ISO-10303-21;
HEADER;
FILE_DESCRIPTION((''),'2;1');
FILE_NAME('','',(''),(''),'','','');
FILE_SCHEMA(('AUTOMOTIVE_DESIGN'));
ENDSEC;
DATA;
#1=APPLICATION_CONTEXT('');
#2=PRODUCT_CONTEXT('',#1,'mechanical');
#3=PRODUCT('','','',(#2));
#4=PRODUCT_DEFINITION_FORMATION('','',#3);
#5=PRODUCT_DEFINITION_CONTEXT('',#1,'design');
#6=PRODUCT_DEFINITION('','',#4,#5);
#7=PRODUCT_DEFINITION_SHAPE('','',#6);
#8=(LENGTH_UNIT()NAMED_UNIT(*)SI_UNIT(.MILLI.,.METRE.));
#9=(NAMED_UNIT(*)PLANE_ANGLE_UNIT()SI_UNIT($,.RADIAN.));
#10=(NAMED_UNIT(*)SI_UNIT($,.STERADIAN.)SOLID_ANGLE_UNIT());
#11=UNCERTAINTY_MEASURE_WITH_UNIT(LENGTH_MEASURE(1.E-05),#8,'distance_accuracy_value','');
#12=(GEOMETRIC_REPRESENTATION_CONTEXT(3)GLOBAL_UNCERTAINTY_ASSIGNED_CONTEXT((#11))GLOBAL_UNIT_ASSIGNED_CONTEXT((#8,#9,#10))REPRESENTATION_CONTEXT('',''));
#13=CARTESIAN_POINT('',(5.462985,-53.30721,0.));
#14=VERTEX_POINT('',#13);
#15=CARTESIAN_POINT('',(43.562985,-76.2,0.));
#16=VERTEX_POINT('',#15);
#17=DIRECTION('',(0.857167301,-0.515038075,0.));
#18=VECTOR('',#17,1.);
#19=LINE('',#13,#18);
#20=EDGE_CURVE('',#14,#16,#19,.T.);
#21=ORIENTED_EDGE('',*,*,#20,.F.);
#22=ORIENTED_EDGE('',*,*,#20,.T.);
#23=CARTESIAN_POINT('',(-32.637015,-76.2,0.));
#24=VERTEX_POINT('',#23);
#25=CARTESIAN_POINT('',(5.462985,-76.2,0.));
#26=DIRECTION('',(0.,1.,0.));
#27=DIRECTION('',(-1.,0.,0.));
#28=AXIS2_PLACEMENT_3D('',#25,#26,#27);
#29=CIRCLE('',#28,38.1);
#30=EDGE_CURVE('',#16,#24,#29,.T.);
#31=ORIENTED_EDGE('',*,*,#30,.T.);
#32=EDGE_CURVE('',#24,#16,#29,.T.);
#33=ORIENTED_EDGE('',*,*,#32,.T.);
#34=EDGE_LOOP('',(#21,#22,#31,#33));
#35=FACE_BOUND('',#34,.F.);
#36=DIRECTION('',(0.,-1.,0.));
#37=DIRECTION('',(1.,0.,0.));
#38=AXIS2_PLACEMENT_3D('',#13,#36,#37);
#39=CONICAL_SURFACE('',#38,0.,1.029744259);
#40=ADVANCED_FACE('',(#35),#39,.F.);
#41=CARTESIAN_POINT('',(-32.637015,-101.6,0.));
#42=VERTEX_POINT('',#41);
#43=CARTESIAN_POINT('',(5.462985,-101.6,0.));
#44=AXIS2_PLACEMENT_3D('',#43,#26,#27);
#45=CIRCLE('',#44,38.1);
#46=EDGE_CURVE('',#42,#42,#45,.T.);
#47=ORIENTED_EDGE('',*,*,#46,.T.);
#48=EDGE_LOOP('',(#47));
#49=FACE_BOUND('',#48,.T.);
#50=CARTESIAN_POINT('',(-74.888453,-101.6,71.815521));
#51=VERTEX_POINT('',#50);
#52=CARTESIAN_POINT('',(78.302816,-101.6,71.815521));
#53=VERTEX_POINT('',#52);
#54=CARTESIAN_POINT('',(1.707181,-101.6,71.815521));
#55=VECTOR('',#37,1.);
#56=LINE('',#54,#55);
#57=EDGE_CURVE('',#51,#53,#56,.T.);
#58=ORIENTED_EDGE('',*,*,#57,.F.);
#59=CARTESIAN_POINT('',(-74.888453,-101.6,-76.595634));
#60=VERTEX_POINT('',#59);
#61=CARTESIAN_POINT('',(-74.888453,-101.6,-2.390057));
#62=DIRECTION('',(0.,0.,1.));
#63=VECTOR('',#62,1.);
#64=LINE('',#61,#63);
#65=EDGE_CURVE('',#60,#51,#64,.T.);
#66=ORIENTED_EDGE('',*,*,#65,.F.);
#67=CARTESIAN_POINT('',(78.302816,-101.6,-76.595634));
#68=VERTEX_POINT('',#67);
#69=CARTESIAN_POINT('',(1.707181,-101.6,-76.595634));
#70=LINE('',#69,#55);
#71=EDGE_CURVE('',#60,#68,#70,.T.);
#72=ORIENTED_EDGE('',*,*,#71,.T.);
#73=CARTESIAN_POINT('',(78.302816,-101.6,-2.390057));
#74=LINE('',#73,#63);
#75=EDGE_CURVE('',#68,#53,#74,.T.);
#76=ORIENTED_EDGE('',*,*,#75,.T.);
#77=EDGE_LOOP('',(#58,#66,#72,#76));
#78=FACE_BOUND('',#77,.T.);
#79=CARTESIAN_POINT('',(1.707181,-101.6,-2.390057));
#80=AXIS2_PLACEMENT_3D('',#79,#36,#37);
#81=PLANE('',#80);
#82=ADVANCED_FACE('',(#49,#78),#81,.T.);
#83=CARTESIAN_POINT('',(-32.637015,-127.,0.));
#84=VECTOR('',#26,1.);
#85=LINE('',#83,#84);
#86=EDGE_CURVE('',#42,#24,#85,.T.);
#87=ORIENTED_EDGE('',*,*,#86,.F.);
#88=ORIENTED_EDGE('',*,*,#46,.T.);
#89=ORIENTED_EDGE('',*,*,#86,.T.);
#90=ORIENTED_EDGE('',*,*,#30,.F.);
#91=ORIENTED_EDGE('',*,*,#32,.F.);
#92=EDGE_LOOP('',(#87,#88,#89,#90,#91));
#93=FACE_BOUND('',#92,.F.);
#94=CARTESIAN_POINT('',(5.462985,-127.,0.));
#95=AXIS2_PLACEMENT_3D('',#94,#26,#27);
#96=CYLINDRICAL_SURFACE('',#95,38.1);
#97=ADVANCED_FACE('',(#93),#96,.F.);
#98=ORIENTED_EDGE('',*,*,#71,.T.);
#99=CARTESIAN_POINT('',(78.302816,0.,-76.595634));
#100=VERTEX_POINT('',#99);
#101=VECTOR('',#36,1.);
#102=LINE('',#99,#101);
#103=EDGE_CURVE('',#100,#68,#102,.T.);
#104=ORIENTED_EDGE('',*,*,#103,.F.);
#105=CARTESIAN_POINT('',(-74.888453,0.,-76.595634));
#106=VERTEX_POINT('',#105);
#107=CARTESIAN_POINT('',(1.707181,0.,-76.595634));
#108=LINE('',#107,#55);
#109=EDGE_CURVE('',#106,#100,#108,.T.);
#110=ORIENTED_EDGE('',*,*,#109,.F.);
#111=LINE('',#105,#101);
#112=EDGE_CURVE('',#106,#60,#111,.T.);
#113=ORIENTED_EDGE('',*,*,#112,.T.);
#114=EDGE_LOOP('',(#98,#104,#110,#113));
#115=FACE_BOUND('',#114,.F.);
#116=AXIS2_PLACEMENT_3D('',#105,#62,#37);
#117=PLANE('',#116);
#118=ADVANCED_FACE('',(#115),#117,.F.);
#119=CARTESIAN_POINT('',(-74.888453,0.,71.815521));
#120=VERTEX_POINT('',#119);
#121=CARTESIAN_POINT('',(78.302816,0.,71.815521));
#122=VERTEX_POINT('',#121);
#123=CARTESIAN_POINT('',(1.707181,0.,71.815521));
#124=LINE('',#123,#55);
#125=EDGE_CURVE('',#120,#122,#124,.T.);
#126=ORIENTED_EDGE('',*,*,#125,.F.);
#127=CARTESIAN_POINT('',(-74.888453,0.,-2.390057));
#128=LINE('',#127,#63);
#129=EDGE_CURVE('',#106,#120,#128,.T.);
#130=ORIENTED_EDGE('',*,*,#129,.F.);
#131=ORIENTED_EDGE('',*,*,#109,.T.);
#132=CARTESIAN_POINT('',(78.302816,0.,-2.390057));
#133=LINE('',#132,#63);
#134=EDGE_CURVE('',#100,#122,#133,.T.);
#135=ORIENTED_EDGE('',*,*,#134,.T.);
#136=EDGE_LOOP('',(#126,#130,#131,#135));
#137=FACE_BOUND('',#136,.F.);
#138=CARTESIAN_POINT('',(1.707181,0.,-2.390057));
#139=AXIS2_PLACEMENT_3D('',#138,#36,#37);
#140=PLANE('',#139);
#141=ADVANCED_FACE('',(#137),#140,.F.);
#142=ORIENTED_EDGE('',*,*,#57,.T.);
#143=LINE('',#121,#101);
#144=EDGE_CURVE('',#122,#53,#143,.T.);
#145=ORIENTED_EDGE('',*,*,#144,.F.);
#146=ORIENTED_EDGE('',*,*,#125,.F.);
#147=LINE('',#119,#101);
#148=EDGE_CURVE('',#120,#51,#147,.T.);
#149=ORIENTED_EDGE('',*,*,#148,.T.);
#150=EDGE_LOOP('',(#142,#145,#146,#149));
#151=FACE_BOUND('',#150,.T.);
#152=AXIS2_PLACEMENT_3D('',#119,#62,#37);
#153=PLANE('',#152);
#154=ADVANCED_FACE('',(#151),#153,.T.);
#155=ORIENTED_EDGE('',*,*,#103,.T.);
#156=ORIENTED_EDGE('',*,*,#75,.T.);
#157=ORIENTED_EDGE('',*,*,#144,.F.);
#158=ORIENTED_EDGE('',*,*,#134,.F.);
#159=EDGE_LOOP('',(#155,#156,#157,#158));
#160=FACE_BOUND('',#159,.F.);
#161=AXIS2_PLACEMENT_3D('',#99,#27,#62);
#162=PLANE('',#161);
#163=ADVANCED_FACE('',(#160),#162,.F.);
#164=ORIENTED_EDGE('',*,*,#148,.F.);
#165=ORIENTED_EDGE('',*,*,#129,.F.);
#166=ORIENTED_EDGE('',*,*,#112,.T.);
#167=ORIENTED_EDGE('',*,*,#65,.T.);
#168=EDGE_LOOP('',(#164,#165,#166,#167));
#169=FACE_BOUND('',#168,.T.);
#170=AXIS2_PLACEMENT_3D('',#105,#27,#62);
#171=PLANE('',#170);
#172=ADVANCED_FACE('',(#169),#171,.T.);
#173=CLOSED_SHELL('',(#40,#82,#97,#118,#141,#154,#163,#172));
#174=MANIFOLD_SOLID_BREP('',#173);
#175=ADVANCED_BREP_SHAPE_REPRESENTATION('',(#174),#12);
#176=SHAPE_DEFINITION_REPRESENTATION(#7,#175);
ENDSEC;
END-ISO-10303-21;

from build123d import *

# Parameters (mm, degrees)
F0_W     = 153.1912684441
F0_H     = 148.411154747
F1_DEPTH = 101.6
F3_D     = 76.2
F3_DEPTH = 25.4
F3_TIP   = 22.892789585


with BuildPart() as f1:
    # F0 (on Front) → F1 (new body)
    with BuildSketch(Plane.XZ):
        with Locations((1.7071813345, -2.3900568485)):
            Rectangle(F0_W, F0_H)
    extrude(amount=F1_DEPTH)

    # F3
    with Locations(Plane.XZ.offset(101.6)):
        with Locations((5.4629854858, 0)):
            Hole(F3_D / 2, depth=F3_DEPTH)
            with Locations((0, 0, -(F3_DEPTH + F3_TIP / 2))):  # 118° drill point
                Cone(0, F3_D / 2, F3_TIP, mode=Mode.SUBTRACT)


solid = f1.part
